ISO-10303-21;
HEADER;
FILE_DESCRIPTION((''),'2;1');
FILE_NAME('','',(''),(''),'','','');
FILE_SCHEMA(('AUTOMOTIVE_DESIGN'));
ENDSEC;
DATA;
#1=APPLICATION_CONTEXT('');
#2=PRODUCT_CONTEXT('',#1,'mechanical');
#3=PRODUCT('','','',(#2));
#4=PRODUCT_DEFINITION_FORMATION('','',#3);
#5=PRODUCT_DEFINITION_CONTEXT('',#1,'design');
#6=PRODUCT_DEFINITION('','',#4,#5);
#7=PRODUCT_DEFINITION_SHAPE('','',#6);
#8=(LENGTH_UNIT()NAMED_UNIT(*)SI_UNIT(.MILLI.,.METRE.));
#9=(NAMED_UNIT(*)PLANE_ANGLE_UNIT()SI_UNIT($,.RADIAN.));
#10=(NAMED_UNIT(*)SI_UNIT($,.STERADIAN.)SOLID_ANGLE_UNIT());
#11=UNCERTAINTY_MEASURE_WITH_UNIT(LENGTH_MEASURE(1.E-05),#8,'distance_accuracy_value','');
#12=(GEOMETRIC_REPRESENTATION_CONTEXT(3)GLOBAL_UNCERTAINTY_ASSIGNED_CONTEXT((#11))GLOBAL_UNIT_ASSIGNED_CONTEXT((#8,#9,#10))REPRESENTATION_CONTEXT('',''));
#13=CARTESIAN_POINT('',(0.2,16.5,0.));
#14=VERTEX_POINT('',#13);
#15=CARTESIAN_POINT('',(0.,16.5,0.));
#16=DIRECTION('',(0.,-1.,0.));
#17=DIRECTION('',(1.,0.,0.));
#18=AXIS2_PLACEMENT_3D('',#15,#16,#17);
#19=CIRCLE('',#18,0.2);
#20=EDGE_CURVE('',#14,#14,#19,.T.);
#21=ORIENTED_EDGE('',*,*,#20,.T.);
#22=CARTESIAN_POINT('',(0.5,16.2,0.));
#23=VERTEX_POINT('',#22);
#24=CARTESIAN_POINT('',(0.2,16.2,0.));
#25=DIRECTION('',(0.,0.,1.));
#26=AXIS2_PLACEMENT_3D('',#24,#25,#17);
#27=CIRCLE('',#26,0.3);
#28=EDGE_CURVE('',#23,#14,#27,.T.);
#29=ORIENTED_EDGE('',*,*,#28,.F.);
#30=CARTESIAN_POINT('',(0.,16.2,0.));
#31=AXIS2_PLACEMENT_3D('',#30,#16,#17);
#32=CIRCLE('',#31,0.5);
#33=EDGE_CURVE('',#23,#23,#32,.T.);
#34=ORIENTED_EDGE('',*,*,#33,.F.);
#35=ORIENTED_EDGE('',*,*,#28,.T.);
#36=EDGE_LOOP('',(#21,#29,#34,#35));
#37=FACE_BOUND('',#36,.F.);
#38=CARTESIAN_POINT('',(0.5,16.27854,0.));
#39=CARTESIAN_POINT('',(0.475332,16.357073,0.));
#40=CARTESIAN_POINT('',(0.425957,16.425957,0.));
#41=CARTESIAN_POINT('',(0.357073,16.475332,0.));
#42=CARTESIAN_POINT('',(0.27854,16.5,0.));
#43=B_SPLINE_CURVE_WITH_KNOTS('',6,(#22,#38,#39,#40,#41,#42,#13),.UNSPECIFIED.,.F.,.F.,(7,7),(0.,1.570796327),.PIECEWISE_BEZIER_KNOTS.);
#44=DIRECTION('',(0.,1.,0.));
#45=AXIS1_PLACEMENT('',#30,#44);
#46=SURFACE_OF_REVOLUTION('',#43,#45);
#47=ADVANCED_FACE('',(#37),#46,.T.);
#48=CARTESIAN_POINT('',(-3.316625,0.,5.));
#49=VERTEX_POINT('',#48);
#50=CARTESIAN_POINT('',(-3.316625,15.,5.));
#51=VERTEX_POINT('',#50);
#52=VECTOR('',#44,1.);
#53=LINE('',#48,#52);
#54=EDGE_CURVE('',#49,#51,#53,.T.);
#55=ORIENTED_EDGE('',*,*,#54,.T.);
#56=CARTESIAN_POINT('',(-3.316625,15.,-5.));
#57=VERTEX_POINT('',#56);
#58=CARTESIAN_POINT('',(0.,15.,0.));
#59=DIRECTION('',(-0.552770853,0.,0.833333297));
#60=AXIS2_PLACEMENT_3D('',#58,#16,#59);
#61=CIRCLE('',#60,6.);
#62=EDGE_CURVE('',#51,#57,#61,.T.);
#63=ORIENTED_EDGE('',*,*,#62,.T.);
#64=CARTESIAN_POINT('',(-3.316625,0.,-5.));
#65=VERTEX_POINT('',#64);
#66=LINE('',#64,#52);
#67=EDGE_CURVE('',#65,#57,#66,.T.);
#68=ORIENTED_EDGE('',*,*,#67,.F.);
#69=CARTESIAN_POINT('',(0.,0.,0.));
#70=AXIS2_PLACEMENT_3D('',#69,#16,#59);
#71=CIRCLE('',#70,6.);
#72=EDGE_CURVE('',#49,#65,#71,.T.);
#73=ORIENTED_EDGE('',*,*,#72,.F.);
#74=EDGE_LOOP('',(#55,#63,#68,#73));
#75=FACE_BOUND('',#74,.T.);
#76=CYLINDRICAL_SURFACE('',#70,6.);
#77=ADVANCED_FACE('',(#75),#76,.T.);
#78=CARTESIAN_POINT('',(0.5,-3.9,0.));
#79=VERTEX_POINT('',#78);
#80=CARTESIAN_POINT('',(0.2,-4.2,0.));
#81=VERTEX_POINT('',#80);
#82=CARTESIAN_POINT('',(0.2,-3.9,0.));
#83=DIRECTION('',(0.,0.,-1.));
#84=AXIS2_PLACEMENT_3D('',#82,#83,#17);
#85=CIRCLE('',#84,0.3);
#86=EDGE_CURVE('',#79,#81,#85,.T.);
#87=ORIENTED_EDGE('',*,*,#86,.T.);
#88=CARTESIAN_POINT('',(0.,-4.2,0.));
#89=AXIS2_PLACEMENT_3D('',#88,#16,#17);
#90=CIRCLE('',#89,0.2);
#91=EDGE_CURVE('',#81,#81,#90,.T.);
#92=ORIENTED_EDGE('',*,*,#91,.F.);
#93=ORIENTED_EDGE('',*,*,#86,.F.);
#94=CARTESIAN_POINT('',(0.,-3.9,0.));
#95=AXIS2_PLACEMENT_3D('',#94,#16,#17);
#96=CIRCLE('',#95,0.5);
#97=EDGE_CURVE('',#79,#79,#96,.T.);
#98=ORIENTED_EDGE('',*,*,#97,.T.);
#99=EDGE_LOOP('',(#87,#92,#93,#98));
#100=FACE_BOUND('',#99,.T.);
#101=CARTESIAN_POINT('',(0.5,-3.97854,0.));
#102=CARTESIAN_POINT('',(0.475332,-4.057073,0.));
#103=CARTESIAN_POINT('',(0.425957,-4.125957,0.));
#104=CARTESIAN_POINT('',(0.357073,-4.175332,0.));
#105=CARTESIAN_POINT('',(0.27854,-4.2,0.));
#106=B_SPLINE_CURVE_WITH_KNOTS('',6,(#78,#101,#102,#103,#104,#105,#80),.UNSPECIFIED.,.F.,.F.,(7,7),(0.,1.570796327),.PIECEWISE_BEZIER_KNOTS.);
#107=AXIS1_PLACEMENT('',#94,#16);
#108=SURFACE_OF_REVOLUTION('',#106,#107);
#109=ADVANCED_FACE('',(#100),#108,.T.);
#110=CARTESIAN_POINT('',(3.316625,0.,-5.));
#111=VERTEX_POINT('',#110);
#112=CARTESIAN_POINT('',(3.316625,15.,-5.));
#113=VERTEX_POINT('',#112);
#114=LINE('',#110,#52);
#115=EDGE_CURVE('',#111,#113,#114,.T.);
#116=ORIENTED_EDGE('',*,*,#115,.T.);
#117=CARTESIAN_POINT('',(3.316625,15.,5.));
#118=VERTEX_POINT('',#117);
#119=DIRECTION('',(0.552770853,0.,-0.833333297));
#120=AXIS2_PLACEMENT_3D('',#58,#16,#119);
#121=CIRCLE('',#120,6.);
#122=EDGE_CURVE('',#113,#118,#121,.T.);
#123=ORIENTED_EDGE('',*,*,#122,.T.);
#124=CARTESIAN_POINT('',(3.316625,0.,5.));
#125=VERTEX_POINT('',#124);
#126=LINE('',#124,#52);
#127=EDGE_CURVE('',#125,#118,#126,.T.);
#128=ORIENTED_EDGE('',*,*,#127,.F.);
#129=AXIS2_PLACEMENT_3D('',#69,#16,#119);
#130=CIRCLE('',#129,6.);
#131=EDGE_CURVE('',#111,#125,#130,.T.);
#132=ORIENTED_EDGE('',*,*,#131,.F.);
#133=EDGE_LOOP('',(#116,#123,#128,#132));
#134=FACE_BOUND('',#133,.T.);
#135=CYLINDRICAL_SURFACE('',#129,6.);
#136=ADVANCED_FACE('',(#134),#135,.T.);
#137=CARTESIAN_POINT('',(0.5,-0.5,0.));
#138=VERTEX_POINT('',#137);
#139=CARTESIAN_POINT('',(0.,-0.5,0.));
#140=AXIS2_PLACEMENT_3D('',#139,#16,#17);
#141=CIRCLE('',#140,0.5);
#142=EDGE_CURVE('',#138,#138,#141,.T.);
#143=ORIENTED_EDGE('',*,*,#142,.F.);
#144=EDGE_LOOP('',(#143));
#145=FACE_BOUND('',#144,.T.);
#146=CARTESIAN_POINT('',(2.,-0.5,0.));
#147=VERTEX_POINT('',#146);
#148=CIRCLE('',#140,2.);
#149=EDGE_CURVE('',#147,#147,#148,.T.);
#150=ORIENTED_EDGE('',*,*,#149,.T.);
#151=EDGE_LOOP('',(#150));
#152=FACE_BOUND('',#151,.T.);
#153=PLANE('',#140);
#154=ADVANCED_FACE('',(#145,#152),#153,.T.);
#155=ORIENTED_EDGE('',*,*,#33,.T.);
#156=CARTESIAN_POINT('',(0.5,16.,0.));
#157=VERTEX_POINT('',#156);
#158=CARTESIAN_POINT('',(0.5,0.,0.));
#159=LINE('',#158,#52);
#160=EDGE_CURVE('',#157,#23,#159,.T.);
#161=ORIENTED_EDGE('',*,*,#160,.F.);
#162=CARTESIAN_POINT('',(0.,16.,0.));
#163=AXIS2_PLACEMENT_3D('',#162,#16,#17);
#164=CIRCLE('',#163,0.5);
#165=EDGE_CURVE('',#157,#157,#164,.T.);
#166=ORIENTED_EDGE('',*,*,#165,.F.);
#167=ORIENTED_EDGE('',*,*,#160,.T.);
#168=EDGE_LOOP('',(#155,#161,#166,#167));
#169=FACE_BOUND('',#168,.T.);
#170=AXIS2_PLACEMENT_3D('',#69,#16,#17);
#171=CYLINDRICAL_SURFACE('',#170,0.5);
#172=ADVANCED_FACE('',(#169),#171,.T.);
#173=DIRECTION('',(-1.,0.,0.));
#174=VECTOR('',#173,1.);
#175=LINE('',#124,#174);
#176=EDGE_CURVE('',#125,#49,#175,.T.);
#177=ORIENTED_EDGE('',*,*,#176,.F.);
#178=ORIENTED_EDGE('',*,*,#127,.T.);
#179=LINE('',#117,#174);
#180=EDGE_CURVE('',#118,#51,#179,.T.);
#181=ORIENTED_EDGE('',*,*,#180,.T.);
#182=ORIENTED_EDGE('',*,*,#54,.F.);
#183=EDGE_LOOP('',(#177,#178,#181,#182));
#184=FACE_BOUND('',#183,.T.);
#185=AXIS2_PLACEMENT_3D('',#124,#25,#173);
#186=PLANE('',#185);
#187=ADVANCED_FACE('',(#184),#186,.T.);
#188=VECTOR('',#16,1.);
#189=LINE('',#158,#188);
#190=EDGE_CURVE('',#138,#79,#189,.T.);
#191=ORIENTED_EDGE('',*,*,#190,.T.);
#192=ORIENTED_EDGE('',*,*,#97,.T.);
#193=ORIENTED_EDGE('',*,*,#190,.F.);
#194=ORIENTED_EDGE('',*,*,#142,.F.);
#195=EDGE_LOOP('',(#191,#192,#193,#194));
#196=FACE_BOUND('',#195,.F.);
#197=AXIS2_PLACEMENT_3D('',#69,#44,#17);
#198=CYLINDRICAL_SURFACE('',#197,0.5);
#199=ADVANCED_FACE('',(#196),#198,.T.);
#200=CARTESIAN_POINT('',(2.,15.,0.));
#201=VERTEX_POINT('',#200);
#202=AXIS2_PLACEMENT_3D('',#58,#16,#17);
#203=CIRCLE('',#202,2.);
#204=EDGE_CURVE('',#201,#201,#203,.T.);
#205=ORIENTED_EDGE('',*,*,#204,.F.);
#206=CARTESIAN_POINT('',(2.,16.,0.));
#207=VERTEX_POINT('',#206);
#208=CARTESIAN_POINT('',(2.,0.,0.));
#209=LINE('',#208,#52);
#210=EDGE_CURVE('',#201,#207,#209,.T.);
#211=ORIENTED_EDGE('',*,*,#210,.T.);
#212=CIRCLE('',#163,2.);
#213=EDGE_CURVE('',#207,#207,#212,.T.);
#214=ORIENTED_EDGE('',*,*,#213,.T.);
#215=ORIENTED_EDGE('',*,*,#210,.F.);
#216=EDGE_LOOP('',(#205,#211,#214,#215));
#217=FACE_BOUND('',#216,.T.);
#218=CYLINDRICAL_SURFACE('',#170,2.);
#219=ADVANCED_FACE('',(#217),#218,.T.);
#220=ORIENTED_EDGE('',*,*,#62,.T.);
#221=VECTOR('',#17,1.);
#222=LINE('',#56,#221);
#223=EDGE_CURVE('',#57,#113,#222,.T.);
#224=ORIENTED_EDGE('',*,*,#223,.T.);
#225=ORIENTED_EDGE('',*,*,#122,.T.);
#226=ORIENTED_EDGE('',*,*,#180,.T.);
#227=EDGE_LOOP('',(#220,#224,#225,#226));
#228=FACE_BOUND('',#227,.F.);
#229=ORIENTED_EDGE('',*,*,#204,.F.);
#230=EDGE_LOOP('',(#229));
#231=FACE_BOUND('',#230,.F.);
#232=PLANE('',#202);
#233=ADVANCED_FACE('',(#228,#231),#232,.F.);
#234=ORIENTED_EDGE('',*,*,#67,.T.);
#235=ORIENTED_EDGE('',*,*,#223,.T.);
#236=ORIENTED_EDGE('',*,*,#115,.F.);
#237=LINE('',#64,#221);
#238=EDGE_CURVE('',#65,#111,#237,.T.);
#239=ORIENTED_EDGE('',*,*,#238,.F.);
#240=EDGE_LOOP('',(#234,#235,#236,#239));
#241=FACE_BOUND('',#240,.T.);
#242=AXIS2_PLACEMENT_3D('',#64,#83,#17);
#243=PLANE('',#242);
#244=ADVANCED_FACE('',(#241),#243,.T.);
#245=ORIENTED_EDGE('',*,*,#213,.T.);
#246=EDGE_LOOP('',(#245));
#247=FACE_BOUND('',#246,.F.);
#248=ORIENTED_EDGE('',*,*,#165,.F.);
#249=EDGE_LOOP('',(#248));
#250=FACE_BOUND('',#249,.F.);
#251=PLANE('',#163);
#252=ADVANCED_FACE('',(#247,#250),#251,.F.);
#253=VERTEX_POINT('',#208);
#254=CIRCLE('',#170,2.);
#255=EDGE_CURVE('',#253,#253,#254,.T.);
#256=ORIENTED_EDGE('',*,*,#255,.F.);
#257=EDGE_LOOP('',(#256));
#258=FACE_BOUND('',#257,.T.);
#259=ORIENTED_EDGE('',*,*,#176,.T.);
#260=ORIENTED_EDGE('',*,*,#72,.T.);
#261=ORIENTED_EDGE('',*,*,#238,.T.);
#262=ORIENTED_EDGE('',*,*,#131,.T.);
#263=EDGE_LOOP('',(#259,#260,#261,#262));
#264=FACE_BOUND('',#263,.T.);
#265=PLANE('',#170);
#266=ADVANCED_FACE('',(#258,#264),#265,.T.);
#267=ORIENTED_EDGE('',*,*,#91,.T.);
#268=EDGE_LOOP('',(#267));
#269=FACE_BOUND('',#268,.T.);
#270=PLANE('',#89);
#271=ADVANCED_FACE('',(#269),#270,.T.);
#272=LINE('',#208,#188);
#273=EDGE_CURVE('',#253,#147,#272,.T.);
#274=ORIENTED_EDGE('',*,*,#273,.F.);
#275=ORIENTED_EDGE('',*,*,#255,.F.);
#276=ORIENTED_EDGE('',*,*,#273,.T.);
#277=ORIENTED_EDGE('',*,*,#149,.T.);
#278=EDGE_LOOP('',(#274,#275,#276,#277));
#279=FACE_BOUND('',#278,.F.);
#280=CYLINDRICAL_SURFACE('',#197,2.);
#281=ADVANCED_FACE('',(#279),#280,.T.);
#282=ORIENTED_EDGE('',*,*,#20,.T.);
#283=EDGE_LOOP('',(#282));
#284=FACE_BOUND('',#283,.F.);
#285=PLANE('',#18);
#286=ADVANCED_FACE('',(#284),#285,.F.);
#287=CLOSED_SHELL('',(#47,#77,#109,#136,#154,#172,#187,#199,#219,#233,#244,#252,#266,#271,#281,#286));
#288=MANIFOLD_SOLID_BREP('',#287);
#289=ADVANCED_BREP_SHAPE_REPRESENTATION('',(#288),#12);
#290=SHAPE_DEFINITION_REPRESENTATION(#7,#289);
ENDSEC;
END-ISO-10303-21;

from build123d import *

# Parameters (mm, degrees)
F0_R          = 0.5
F0_R_2        = 2
F1_DEPTH      = 15
F2_DEPTH      = 0.5
F2_DEPTH_BACK = 16
F3_DEPTH      = 4.2
F3_DEPTH_BACK = 16.5
F4_R          = 0.3


with BuildPart() as f1:
    # F0 (on Front) → F1 (new body)
    with BuildSketch(Plane.XZ):
        Circle(F0_R)
        Circle(F0_R_2)
        Circle(F0_R, mode=Mode.SUBTRACT)
        with BuildLine():
            Line((-3.316625, -5), (3.316625, -5))
            ThreePointArc((3.316625, -5), (6, 0), (3.316625, 5))
            Line((3.316625, 5), (-3.316625, 5))
            ThreePointArc((-3.316625, 5), (-6, 0), (-3.316625, -5))
        make_face()
        Circle(F0_R_2, mode=Mode.SUBTRACT)
    extrude(amount=-F1_DEPTH)

    # F0 (on Front) → F2 (join, two sides)
    with BuildSketch(Plane.XZ) as f2_sk:
        Circle(F0_R)
        Circle(F0_R_2)
        Circle(F0_R, mode=Mode.SUBTRACT)
    extrude(amount=F2_DEPTH)
    extrude(f2_sk.sketch, amount=-F2_DEPTH_BACK)

    # F0 (on Front) → F3 (join, two sides)
    with BuildSketch(Plane.XZ) as f3_sk:
        Circle(F0_R)
    extrude(amount=F3_DEPTH)
    extrude(f3_sk.sketch, amount=-F3_DEPTH_BACK)

    # F4
    f4_edges = [f1.edges().sort_by_distance(p)[0] for p in [
        (-0.5, -4.2, 0),
        (-0.5, 16.5, 0),
    ]]
    fillet(f4_edges, radius=F4_R)


solid = f1.part
